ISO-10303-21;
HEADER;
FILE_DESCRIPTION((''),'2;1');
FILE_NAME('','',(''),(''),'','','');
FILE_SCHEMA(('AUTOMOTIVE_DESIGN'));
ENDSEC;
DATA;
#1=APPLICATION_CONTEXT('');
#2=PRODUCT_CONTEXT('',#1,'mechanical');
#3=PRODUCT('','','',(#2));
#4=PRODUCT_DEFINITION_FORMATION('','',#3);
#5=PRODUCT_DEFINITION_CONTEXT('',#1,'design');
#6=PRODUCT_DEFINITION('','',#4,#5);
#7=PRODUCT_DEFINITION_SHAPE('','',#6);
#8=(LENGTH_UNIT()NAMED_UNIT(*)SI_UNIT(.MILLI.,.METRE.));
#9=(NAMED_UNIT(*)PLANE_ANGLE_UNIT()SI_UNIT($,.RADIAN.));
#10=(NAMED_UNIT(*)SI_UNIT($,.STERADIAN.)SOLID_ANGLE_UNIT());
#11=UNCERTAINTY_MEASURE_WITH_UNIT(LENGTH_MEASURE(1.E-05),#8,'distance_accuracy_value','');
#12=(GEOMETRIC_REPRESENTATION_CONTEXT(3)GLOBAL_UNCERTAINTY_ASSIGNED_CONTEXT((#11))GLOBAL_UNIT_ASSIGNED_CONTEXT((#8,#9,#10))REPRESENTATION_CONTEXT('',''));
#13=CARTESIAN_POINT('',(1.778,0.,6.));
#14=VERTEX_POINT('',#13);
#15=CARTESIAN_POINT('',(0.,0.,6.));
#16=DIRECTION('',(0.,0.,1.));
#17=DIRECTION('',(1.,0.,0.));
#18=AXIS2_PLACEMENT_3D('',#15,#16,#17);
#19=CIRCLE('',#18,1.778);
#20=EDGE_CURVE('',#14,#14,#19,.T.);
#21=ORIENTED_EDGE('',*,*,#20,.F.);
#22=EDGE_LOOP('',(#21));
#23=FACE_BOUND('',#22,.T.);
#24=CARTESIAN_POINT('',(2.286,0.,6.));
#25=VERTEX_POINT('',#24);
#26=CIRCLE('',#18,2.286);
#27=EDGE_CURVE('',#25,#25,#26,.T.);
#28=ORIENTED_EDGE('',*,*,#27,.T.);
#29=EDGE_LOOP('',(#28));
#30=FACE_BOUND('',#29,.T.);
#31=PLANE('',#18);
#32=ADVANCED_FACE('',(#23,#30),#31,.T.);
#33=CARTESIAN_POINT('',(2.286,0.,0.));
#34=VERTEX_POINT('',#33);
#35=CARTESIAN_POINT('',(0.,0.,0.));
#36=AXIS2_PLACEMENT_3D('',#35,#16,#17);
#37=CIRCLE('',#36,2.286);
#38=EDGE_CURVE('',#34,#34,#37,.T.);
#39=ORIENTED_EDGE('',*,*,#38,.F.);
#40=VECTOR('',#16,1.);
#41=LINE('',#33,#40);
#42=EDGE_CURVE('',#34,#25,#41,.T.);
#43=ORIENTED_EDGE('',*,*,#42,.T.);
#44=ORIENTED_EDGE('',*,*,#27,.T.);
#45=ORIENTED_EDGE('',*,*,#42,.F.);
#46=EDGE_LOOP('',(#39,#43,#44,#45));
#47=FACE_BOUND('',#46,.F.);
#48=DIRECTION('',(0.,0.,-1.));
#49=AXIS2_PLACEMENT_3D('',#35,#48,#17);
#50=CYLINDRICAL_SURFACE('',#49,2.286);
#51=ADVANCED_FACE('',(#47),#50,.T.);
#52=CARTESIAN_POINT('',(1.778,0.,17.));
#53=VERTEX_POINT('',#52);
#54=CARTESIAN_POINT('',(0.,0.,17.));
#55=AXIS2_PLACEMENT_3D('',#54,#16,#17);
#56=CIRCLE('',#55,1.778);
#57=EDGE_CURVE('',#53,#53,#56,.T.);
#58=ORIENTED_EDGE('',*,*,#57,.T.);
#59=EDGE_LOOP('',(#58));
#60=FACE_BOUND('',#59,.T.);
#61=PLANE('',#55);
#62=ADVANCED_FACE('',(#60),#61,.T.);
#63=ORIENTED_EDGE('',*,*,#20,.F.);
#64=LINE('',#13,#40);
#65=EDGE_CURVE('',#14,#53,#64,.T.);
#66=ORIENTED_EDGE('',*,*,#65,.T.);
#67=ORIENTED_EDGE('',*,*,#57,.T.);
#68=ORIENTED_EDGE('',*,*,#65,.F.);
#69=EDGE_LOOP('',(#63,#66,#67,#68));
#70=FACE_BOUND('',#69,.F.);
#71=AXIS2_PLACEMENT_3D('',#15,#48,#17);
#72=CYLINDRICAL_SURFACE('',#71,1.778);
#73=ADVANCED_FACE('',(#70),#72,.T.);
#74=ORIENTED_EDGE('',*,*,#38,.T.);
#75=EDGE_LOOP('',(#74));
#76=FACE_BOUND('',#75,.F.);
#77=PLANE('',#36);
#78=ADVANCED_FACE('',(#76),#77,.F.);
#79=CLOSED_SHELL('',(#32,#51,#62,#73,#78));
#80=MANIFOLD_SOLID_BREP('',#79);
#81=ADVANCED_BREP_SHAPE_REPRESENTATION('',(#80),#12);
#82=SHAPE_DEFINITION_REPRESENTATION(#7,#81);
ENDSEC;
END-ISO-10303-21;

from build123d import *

# Parameters (mm, degrees)
SKETCH2_R           = 2.286
BOSS_EXTRUDE1_DEPTH = 6
SKETCH3_R           = 1.778
BOSS_EXTRUDE2_DEPTH = 11


with BuildPart() as part:
    # Sketch2 → Boss-Extrude1 (new body)
    with BuildSketch(Plane.XY):
        Circle(SKETCH2_R)
    extrude(amount=BOSS_EXTRUDE1_DEPTH)

    # Sketch3 → Boss-Extrude2 (add)
    with BuildSketch(Plane.XY.offset(6)):
        Circle(SKETCH3_R)
    extrude(amount=BOSS_EXTRUDE2_DEPTH)


solid = part.part
